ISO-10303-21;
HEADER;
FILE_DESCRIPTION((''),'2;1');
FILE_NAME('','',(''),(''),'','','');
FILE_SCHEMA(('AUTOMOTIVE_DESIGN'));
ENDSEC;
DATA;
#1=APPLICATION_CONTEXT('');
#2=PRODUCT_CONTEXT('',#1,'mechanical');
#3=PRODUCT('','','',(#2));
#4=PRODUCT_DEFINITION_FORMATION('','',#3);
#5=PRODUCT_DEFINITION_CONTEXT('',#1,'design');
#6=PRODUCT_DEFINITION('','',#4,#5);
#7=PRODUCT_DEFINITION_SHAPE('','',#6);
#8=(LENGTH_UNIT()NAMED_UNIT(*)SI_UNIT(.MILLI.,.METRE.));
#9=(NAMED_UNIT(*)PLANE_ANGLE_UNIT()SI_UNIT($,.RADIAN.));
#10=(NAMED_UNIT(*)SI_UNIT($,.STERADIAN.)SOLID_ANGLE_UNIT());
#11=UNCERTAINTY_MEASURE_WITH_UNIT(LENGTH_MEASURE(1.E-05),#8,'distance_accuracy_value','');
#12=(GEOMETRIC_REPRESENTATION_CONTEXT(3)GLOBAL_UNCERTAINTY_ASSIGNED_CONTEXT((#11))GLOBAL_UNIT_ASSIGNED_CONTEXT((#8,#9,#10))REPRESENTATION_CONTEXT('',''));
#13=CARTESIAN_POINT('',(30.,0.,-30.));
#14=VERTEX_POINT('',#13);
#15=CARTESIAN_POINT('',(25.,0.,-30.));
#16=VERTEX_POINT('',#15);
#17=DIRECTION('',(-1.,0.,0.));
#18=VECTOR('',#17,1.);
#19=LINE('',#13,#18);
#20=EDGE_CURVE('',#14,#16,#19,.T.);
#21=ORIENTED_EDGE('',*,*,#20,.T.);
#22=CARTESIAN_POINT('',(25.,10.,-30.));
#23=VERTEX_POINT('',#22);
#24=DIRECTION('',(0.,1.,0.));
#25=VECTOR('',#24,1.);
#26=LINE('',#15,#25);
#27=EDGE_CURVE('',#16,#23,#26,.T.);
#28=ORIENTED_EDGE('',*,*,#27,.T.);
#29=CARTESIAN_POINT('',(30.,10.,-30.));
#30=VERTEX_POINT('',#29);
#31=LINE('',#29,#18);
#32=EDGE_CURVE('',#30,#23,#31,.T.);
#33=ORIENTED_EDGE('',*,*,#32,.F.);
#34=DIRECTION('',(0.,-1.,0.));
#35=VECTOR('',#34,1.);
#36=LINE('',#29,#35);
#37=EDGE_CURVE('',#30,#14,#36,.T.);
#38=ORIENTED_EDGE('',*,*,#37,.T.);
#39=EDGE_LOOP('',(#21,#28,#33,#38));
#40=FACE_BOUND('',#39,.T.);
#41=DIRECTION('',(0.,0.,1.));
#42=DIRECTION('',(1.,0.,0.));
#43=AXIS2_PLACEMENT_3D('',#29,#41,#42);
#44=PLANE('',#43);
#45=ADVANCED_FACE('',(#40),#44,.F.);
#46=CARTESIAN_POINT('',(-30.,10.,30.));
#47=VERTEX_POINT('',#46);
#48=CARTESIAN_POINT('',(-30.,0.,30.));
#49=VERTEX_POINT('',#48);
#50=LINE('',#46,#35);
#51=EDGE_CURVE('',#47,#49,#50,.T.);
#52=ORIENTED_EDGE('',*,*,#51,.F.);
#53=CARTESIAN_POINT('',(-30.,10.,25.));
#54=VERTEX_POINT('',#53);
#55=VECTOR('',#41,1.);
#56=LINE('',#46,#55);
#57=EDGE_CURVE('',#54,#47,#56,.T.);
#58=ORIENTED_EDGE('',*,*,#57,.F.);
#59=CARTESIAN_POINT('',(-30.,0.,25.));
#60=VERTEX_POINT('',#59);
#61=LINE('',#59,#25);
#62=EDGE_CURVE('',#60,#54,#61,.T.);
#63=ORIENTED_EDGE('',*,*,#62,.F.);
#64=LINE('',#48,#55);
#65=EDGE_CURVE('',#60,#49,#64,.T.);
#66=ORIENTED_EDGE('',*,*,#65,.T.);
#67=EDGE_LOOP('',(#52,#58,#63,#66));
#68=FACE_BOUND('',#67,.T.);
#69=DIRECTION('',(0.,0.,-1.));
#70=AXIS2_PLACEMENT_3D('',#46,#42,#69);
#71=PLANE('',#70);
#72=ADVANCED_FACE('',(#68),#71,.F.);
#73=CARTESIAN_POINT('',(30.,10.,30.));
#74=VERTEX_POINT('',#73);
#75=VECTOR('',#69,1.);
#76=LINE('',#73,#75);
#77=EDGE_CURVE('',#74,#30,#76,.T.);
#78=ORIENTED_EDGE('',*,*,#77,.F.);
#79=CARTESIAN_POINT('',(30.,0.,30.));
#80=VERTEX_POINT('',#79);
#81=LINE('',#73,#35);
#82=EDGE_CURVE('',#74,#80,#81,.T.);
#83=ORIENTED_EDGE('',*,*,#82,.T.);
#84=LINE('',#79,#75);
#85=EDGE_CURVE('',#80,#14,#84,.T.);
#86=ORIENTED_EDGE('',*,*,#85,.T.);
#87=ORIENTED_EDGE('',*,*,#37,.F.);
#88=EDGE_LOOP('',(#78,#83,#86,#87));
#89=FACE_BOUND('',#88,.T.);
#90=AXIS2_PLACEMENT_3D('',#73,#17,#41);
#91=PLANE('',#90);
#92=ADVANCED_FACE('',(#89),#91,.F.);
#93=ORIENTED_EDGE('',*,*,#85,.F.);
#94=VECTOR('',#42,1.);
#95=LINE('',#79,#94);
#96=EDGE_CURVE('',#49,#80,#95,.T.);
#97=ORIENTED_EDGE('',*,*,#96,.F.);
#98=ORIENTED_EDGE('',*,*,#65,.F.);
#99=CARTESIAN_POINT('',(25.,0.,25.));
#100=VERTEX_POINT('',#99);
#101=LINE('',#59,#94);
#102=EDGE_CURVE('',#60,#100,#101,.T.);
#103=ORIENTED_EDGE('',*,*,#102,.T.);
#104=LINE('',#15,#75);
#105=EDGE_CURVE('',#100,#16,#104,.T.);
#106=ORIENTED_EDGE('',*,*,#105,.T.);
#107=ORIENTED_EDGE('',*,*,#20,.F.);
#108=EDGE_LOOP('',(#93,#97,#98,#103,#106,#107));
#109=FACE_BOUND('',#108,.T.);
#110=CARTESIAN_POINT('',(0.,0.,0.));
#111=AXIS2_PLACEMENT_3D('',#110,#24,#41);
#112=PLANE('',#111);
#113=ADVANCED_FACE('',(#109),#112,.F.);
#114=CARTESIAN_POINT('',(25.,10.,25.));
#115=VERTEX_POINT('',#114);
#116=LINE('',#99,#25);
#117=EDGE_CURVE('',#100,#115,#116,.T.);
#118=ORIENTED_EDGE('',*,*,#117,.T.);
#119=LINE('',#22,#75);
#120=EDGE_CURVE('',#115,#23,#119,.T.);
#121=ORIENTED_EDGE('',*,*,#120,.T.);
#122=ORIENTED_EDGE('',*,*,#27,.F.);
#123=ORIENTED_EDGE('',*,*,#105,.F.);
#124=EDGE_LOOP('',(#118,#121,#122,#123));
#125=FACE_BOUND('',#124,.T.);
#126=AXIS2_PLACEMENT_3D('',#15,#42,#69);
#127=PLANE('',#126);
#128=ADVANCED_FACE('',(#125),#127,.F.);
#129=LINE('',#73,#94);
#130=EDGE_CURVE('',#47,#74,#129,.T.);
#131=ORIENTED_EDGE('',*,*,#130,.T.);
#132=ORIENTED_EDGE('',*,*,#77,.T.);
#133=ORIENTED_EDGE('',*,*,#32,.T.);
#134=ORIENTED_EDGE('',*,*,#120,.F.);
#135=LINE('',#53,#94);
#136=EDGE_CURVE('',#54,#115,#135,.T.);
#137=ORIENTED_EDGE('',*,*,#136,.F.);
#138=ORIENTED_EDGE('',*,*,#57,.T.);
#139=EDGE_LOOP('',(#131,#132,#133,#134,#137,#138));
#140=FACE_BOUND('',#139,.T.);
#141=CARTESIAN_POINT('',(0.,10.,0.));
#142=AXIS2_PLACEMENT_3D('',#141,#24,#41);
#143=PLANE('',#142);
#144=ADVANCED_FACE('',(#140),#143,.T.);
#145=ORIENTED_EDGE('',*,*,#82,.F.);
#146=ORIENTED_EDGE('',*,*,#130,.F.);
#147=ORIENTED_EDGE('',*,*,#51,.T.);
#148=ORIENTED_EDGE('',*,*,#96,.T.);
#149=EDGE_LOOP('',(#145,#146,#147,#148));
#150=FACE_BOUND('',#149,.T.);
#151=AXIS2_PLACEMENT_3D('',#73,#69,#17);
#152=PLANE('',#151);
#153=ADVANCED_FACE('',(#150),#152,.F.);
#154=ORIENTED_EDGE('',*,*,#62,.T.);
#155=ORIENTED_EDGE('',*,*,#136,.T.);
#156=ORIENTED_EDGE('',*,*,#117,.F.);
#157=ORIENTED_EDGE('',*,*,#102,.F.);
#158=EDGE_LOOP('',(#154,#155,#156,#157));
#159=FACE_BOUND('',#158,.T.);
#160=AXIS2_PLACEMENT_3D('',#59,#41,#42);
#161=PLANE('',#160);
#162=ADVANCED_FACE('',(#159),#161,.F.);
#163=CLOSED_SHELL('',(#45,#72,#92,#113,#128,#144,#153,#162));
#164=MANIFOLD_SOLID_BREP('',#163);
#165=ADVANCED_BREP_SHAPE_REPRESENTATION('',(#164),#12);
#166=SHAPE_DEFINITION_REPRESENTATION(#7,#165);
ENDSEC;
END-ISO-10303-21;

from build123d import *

# Parameters (mm, degrees)
SKETCH1_W           = 60
SKETCH1_H           = 60
BOSS_EXTRUDE1_DEPTH = 10
SKETCH2_W           = 55
SKETCH2_H           = 55
CUT_EXTRUDE1_DEPTH  = 44.588989435


with BuildPart() as part:
    # Sketch1 → Boss-Extrude1 (new body)
    with BuildSketch(Plane(origin=(0, 0, 0), x_dir=(1, 0, 0), z_dir=(0, 1, 0))):
        Rectangle(SKETCH1_W, SKETCH1_H)
    extrude(amount=BOSS_EXTRUDE1_DEPTH)

    # Sketch2 → Cut-Extrude1 (cut, through all)
    with BuildSketch(Plane(origin=(0, 10, 0), x_dir=(1, 0, 0), z_dir=(0, 1, 0))):
        with Locations((-2.5, 2.5)):
            Rectangle(SKETCH2_W, SKETCH2_H)
    extrude(amount=-CUT_EXTRUDE1_DEPTH, mode=Mode.SUBTRACT)


solid = part.part
